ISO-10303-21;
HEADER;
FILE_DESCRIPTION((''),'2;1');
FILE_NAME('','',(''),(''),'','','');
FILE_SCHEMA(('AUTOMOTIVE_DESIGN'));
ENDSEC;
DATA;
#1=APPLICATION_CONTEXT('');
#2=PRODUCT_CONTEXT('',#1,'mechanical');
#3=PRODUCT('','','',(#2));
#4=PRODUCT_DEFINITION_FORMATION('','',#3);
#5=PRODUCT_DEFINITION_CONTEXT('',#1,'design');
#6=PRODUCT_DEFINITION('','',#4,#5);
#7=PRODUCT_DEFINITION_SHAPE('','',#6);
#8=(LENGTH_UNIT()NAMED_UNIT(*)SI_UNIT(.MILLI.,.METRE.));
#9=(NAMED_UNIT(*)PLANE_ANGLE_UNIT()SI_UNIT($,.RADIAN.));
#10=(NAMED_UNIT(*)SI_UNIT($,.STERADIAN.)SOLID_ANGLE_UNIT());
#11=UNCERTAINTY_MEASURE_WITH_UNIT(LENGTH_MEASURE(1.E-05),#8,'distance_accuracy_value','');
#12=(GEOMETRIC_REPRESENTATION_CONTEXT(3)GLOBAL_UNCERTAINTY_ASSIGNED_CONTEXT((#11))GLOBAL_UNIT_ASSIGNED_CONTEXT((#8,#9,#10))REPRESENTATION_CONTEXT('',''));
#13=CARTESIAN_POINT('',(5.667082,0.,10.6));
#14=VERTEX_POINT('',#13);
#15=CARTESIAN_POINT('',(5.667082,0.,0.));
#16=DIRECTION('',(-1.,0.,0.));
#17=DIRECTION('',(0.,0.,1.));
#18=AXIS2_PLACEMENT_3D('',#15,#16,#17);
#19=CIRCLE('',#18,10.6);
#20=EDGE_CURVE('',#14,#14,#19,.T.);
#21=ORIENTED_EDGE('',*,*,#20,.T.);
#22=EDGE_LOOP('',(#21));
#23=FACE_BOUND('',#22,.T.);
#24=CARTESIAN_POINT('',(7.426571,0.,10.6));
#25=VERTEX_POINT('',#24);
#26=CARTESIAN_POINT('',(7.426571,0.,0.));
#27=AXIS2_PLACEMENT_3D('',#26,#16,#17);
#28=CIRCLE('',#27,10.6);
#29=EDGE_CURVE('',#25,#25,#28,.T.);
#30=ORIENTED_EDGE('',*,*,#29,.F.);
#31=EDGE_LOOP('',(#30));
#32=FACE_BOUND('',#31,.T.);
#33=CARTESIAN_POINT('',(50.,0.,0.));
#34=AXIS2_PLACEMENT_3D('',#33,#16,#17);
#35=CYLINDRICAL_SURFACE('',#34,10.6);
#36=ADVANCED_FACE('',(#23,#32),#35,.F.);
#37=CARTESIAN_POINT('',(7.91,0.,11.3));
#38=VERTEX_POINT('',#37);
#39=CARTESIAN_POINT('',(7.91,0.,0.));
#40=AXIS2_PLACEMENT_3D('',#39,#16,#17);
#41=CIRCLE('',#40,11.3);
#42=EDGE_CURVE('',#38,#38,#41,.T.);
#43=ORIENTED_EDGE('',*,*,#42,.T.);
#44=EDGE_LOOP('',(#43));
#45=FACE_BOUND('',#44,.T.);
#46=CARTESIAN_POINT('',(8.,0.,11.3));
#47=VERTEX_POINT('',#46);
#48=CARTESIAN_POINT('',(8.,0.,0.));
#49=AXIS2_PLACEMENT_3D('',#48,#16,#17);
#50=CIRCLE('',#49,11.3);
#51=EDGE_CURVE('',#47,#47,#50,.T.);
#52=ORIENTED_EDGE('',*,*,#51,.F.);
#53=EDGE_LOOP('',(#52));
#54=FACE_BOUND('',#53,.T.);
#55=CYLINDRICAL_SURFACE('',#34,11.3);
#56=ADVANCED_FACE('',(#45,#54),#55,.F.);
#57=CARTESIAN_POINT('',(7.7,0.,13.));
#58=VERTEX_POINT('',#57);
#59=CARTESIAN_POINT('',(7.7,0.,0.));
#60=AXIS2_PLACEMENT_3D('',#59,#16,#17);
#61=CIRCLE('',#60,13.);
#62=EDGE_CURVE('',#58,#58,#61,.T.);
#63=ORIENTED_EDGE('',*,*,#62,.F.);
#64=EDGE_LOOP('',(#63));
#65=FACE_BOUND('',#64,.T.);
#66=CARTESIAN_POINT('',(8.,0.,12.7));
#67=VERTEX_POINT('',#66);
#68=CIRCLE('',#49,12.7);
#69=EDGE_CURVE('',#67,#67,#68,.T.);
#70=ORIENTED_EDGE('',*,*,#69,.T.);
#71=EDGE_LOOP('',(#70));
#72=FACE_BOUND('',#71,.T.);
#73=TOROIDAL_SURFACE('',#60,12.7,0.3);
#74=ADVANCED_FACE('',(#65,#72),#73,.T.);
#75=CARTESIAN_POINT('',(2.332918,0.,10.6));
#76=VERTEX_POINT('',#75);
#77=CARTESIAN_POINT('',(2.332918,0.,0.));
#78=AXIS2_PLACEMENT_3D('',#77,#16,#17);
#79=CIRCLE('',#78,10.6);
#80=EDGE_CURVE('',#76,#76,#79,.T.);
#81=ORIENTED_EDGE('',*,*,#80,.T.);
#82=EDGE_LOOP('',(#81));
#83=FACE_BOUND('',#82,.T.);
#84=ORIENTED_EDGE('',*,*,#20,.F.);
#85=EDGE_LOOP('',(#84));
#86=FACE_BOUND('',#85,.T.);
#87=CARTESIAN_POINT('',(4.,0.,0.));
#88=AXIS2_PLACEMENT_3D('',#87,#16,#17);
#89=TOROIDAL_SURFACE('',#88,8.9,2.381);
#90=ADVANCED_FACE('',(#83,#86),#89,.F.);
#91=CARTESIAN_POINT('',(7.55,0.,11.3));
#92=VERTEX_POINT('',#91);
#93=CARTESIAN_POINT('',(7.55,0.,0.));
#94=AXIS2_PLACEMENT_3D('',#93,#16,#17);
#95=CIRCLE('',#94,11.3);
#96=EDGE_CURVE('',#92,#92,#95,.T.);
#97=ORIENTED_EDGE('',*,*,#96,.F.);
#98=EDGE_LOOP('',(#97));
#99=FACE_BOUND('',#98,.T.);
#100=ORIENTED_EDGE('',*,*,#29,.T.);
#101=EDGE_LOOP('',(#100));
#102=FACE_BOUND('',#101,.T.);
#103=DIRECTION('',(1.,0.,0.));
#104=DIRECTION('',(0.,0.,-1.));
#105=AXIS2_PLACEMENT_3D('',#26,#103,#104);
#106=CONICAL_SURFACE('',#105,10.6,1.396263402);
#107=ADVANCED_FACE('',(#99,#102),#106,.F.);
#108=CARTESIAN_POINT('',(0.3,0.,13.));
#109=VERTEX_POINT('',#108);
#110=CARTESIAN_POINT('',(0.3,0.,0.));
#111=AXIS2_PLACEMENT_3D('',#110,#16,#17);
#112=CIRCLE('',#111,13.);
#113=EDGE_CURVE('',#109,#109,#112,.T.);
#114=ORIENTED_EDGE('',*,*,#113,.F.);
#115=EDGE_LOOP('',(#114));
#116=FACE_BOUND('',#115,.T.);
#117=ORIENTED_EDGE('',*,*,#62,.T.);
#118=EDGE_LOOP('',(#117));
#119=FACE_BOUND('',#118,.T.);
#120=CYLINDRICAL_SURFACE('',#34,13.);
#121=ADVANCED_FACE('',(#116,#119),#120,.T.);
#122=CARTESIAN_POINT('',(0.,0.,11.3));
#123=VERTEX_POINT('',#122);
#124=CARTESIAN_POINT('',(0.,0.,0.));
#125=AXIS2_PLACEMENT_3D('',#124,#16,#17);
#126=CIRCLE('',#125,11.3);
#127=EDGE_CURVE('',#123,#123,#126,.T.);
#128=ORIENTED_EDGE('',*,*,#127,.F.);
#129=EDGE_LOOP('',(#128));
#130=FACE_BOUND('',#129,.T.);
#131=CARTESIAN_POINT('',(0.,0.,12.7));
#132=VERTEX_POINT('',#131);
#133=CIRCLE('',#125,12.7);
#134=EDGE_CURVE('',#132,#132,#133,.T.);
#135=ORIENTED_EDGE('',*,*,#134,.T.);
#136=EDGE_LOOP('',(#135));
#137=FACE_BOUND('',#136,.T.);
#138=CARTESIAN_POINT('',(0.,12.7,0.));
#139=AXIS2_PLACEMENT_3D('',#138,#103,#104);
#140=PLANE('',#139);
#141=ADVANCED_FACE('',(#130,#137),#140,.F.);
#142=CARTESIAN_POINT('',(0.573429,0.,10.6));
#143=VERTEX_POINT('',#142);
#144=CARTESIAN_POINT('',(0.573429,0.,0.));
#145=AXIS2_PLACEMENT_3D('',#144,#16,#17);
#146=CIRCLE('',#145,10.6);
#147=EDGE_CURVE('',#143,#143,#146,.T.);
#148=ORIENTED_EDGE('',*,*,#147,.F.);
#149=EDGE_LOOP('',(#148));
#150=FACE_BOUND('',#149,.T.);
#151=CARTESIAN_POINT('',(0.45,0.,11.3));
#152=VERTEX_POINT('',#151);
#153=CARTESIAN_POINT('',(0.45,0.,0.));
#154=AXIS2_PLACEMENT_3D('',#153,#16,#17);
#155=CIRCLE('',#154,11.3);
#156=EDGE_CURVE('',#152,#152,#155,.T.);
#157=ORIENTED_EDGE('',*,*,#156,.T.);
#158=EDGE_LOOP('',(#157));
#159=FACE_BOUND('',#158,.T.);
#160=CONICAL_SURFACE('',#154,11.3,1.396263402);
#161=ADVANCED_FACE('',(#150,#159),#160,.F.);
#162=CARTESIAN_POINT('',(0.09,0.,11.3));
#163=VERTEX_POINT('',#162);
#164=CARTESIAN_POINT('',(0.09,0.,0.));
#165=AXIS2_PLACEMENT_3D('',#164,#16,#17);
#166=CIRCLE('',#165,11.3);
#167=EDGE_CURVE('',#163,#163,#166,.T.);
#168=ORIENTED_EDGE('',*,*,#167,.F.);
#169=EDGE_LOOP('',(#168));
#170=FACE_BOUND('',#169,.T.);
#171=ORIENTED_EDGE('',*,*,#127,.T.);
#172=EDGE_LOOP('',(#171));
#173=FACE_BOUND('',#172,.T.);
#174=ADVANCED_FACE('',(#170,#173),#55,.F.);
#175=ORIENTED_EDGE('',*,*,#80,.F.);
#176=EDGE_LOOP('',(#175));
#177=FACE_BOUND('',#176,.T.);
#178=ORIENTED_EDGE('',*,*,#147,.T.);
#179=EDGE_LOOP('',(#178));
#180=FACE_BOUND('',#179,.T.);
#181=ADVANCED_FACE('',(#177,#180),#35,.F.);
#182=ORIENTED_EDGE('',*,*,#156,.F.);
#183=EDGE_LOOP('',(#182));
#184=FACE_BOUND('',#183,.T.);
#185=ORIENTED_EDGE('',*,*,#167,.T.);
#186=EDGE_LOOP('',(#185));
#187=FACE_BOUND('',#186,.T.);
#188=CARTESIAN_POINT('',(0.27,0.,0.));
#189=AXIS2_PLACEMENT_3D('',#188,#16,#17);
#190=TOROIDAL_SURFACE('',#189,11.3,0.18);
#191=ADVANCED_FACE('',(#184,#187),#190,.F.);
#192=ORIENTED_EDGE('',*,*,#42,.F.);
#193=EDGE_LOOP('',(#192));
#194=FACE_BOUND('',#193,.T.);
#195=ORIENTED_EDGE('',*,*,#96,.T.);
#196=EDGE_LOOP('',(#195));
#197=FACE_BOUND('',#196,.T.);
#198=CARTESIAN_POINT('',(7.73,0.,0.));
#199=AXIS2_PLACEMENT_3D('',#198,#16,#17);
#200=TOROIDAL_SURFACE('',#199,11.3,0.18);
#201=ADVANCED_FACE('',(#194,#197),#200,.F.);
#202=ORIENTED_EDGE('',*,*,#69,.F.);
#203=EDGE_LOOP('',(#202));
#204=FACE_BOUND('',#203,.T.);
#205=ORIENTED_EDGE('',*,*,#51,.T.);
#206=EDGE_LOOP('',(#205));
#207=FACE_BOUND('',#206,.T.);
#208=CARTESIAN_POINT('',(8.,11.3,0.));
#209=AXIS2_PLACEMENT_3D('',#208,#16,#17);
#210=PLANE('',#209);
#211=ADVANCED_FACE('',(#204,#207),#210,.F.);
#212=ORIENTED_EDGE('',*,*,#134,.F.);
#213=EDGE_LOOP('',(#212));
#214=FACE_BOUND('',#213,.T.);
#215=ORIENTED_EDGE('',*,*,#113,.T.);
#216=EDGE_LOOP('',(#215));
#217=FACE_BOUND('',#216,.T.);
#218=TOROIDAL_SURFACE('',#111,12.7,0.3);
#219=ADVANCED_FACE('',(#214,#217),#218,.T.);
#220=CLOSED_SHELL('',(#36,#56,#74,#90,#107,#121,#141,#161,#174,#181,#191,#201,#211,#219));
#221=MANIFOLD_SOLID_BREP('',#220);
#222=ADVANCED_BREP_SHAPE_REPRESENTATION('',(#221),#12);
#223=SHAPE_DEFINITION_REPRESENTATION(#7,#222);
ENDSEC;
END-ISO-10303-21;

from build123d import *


with BuildPart() as part:
    # Sketch1 → Revolve1 (revolve)
    with BuildSketch(Plane.XY, mode=Mode.PRIVATE) as revolve1_sk:
        with BuildLine():
            Line((0, 11.3), (0.09, 11.3))
            ThreePointArc((0.09, 11.3), (0.27, 11.48), (0.45, 11.3))
            Line((0.45, 11.3), (0.573428886, 10.6))
            Line((0.573428886, 10.6), (2.332918418, 10.6))
            ThreePointArc((2.332918418, 10.6), (4, 11.281), (5.667081582, 10.6))
            Line((5.667081582, 10.6), (7.426571114, 10.6))
            Line((7.426571114, 10.6), (7.55, 11.3))
            ThreePointArc((7.55, 11.3), (7.73, 11.48), (7.91, 11.3))
            Line((7.91, 11.3), (8, 11.3))
            Line((8, 11.3), (8, 12.7))
            ThreePointArc((8, 12.7), (7.912132034, 12.912132034), (7.7, 13))
            Line((7.7, 13), (0.3, 13))
            ThreePointArc((0.3, 13), (0.087867966, 12.912132034), (0, 12.7))
            Line((0, 12.7), (0, 11.3))
        make_face()
    revolve(revolve1_sk.sketch.rotate(Axis((50, 0, 0), (-1, 0, 0)), 270), axis=Axis((50, 0, 0), (-1, 0, 0)))


solid = part.part
